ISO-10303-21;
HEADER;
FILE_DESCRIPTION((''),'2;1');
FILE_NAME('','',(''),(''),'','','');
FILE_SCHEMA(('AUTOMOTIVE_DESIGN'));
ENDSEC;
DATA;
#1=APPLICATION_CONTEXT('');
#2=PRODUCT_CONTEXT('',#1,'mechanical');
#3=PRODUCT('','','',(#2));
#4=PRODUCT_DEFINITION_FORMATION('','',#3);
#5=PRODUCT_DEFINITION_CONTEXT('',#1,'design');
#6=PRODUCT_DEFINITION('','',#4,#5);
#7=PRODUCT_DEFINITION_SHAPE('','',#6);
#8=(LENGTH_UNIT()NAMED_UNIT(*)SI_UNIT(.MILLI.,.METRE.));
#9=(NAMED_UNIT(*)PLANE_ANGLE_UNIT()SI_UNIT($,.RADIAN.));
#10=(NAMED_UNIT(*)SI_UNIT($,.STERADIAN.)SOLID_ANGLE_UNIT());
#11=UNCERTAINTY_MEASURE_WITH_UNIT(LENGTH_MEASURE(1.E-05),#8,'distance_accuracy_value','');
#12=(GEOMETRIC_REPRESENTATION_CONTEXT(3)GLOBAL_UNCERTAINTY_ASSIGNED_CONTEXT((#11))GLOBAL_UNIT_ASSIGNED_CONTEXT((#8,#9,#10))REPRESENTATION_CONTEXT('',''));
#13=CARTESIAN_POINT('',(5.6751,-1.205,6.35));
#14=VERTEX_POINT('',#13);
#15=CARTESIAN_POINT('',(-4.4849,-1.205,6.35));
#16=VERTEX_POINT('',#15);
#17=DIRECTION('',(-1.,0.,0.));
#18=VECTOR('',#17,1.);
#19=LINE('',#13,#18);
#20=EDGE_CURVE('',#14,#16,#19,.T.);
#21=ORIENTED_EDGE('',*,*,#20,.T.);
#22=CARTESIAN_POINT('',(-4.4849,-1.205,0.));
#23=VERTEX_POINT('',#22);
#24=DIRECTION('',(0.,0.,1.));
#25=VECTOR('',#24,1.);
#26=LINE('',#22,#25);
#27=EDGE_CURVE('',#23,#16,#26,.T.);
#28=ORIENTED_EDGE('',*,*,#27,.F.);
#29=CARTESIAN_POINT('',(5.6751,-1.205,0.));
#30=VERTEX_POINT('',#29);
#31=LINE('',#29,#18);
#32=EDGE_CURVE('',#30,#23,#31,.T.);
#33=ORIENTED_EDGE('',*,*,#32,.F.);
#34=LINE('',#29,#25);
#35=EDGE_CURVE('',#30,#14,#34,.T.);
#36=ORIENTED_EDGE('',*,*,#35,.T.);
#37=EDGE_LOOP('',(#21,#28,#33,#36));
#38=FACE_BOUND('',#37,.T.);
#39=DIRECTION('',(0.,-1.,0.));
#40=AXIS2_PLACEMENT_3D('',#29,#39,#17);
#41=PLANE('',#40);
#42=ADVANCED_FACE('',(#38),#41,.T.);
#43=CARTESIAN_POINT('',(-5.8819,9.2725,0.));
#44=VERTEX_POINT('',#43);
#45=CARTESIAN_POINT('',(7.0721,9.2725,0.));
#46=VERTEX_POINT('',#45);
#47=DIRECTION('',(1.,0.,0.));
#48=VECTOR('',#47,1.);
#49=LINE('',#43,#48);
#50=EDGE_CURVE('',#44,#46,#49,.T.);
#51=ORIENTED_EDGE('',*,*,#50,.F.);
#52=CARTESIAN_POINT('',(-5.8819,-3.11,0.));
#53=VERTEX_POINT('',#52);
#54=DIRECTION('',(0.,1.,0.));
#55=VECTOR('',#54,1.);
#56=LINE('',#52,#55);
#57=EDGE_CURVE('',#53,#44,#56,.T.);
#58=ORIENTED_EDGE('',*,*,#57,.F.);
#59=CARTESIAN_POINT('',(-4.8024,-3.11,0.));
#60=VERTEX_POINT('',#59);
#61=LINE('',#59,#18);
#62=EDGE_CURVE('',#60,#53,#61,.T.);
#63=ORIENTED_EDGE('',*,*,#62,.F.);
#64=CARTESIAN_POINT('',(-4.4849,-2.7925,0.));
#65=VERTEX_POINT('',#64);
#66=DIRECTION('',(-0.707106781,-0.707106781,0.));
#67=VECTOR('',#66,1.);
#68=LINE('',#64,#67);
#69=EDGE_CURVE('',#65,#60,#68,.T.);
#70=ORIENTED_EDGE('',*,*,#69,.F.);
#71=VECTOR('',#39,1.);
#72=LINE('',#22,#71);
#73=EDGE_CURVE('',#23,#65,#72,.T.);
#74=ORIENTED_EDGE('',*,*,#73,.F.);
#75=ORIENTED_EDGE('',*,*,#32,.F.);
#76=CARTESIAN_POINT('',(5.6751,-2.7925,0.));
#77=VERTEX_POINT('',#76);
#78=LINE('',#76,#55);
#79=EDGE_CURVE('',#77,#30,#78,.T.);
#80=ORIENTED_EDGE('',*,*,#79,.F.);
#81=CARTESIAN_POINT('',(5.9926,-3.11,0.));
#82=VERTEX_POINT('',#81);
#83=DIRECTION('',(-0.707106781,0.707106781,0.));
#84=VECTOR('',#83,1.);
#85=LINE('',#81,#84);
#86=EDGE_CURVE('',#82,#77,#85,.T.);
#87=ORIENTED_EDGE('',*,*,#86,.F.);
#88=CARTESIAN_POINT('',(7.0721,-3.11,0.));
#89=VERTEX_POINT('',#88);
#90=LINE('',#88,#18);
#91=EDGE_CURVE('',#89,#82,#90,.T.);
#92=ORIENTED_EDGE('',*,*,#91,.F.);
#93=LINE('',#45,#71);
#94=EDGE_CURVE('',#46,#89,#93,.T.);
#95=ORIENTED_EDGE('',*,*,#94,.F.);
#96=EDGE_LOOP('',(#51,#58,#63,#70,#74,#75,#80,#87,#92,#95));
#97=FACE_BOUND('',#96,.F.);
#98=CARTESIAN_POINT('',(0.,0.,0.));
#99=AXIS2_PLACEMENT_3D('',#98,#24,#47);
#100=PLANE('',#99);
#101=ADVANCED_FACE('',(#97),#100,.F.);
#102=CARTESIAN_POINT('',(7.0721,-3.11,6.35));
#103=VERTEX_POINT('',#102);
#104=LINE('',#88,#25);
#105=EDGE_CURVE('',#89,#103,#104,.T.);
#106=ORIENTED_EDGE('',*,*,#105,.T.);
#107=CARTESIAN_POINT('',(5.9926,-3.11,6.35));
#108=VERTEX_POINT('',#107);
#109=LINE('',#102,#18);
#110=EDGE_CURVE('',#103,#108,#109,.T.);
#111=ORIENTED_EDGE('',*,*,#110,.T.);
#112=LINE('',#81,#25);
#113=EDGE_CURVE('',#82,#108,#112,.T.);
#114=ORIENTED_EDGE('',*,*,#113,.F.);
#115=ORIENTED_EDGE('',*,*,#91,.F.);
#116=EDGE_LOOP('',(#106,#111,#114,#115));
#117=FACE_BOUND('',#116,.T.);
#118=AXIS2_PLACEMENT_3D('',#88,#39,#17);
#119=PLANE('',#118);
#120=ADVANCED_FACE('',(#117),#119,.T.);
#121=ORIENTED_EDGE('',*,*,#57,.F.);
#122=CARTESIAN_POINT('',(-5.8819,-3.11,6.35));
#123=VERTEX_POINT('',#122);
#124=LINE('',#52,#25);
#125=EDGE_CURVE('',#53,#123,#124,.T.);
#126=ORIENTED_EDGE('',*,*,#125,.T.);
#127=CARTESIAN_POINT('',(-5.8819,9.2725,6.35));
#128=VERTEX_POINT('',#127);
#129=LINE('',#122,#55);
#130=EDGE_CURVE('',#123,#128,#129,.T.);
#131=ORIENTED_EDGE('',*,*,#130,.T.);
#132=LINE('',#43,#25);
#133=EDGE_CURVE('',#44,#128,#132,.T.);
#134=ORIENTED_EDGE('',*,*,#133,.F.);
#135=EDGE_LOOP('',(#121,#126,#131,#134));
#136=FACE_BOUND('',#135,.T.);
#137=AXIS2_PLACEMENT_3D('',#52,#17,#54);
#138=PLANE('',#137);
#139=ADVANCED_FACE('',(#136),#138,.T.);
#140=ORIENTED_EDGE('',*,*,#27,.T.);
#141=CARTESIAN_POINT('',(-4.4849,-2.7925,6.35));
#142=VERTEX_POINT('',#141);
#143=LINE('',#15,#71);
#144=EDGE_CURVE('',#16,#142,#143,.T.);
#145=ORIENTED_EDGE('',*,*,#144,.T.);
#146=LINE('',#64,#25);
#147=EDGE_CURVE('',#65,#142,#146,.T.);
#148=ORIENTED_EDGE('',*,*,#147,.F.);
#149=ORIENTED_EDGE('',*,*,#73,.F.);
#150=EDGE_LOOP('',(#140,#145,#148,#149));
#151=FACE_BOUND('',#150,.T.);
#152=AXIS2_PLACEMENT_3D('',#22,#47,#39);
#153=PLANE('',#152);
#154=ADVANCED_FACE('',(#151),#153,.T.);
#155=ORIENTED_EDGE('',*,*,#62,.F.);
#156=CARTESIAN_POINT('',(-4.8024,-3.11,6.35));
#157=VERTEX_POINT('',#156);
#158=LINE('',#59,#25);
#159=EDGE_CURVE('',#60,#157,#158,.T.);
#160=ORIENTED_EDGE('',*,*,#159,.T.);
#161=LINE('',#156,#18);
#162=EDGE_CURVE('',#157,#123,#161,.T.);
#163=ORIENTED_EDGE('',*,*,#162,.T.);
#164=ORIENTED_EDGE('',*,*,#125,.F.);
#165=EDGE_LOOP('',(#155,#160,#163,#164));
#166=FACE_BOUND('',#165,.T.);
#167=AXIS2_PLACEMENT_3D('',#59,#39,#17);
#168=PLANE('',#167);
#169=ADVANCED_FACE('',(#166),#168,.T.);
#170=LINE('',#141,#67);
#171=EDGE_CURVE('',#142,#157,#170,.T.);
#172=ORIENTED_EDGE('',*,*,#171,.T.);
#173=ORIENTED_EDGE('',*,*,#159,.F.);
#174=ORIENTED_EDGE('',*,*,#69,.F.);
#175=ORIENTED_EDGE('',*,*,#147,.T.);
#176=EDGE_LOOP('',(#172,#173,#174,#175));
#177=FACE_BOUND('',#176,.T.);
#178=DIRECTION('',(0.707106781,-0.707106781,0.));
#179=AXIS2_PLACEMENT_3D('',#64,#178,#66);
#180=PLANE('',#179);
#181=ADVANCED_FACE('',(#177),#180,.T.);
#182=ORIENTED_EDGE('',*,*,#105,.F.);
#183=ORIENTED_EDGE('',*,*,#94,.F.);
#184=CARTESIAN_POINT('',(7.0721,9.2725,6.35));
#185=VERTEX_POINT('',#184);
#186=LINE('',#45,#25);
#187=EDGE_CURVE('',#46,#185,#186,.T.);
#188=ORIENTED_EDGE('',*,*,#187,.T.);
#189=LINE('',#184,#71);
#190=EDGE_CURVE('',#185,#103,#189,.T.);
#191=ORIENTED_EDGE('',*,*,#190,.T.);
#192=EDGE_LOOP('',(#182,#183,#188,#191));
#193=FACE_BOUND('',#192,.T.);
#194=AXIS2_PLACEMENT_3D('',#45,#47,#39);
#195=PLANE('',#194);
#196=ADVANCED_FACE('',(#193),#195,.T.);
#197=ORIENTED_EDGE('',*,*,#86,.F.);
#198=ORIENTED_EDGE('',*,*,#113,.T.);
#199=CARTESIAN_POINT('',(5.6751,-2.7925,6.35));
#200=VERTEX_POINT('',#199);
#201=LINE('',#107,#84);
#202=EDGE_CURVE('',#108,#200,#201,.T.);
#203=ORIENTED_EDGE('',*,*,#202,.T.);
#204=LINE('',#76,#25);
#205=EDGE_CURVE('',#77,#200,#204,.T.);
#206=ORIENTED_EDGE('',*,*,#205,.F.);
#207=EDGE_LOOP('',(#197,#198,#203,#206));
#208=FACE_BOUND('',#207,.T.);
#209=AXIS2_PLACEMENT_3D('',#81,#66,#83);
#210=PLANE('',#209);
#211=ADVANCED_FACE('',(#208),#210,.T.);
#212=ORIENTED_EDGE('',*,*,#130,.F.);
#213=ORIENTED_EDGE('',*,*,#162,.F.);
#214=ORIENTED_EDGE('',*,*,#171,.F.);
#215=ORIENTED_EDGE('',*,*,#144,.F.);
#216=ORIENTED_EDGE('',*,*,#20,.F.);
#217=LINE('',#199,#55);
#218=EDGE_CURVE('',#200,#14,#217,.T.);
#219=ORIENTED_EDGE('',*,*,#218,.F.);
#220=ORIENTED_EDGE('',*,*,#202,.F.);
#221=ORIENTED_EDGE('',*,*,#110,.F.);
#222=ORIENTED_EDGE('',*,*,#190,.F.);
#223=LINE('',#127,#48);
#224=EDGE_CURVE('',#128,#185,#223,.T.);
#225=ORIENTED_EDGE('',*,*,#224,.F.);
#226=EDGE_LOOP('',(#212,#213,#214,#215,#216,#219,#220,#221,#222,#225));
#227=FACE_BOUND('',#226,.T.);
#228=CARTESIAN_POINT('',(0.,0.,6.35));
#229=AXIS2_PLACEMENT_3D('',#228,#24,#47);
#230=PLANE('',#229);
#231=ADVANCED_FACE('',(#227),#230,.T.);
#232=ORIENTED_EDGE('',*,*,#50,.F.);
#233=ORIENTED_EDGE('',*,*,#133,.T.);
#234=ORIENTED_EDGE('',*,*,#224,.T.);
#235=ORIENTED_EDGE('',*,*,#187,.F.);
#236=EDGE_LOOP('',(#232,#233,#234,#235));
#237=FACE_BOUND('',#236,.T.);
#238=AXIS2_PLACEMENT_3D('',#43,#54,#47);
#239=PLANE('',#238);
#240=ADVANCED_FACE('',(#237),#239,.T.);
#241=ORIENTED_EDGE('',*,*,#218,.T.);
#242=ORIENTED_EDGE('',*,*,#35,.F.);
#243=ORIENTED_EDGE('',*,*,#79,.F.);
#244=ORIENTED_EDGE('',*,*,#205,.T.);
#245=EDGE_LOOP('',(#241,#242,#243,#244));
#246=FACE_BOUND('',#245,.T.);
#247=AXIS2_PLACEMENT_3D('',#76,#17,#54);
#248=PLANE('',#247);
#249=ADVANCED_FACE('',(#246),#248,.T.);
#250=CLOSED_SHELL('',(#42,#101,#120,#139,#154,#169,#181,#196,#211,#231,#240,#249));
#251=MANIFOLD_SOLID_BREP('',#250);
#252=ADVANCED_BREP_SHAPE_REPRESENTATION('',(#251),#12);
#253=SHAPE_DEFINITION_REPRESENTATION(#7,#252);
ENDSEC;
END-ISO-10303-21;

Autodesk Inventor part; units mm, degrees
ref_plane "YZ Plane" through (0, 0, 0) normal (1, 0, 0) x (0, 1, 0)
ref_plane "XZ Plane" through (0, 0, 0) normal (0, 1, 0) x (-1, 0, 0)
ref_plane "XY Plane" through (0, 0, 0) normal (0, 0, 1) x (1, 0, 0)
sketch "DM3D-SF, DX3D-SF_53" plane through (0, 0, 0) normal (0, 0, 1) x (1, 0, 0)
  line L0 (-5.8819, 9.2725) -> (7.0721, 9.2725)
  line L1 (7.0721, 9.2725) -> (7.0721, -3.11)
  line L2 (7.0721, -3.11) -> (5.9926, -3.11)
  line L3 (5.9926, -3.11) -> (5.6751, -2.7925)
  line L4 (5.6751, -2.7925) -> (5.6751, -1.205)
  line L5 (5.6751, -1.205) -> (-4.4849, -1.205)
  line L6 (-4.4849, -1.205) -> (-4.4849, -2.7925)
  line L7 (-4.4849, -2.7925) -> (-4.8024, -3.11)
  line L8 (-4.8024, -3.11) -> (-5.8819, -3.11)
  line L9 (-5.8819, -3.11) -> (-5.8819, 9.2725)
extrude "Extrusion1" add sketch "DM3D-SF, DX3D-SF_53" along normal blind 6.35
properties part number "DX3D-SF"
